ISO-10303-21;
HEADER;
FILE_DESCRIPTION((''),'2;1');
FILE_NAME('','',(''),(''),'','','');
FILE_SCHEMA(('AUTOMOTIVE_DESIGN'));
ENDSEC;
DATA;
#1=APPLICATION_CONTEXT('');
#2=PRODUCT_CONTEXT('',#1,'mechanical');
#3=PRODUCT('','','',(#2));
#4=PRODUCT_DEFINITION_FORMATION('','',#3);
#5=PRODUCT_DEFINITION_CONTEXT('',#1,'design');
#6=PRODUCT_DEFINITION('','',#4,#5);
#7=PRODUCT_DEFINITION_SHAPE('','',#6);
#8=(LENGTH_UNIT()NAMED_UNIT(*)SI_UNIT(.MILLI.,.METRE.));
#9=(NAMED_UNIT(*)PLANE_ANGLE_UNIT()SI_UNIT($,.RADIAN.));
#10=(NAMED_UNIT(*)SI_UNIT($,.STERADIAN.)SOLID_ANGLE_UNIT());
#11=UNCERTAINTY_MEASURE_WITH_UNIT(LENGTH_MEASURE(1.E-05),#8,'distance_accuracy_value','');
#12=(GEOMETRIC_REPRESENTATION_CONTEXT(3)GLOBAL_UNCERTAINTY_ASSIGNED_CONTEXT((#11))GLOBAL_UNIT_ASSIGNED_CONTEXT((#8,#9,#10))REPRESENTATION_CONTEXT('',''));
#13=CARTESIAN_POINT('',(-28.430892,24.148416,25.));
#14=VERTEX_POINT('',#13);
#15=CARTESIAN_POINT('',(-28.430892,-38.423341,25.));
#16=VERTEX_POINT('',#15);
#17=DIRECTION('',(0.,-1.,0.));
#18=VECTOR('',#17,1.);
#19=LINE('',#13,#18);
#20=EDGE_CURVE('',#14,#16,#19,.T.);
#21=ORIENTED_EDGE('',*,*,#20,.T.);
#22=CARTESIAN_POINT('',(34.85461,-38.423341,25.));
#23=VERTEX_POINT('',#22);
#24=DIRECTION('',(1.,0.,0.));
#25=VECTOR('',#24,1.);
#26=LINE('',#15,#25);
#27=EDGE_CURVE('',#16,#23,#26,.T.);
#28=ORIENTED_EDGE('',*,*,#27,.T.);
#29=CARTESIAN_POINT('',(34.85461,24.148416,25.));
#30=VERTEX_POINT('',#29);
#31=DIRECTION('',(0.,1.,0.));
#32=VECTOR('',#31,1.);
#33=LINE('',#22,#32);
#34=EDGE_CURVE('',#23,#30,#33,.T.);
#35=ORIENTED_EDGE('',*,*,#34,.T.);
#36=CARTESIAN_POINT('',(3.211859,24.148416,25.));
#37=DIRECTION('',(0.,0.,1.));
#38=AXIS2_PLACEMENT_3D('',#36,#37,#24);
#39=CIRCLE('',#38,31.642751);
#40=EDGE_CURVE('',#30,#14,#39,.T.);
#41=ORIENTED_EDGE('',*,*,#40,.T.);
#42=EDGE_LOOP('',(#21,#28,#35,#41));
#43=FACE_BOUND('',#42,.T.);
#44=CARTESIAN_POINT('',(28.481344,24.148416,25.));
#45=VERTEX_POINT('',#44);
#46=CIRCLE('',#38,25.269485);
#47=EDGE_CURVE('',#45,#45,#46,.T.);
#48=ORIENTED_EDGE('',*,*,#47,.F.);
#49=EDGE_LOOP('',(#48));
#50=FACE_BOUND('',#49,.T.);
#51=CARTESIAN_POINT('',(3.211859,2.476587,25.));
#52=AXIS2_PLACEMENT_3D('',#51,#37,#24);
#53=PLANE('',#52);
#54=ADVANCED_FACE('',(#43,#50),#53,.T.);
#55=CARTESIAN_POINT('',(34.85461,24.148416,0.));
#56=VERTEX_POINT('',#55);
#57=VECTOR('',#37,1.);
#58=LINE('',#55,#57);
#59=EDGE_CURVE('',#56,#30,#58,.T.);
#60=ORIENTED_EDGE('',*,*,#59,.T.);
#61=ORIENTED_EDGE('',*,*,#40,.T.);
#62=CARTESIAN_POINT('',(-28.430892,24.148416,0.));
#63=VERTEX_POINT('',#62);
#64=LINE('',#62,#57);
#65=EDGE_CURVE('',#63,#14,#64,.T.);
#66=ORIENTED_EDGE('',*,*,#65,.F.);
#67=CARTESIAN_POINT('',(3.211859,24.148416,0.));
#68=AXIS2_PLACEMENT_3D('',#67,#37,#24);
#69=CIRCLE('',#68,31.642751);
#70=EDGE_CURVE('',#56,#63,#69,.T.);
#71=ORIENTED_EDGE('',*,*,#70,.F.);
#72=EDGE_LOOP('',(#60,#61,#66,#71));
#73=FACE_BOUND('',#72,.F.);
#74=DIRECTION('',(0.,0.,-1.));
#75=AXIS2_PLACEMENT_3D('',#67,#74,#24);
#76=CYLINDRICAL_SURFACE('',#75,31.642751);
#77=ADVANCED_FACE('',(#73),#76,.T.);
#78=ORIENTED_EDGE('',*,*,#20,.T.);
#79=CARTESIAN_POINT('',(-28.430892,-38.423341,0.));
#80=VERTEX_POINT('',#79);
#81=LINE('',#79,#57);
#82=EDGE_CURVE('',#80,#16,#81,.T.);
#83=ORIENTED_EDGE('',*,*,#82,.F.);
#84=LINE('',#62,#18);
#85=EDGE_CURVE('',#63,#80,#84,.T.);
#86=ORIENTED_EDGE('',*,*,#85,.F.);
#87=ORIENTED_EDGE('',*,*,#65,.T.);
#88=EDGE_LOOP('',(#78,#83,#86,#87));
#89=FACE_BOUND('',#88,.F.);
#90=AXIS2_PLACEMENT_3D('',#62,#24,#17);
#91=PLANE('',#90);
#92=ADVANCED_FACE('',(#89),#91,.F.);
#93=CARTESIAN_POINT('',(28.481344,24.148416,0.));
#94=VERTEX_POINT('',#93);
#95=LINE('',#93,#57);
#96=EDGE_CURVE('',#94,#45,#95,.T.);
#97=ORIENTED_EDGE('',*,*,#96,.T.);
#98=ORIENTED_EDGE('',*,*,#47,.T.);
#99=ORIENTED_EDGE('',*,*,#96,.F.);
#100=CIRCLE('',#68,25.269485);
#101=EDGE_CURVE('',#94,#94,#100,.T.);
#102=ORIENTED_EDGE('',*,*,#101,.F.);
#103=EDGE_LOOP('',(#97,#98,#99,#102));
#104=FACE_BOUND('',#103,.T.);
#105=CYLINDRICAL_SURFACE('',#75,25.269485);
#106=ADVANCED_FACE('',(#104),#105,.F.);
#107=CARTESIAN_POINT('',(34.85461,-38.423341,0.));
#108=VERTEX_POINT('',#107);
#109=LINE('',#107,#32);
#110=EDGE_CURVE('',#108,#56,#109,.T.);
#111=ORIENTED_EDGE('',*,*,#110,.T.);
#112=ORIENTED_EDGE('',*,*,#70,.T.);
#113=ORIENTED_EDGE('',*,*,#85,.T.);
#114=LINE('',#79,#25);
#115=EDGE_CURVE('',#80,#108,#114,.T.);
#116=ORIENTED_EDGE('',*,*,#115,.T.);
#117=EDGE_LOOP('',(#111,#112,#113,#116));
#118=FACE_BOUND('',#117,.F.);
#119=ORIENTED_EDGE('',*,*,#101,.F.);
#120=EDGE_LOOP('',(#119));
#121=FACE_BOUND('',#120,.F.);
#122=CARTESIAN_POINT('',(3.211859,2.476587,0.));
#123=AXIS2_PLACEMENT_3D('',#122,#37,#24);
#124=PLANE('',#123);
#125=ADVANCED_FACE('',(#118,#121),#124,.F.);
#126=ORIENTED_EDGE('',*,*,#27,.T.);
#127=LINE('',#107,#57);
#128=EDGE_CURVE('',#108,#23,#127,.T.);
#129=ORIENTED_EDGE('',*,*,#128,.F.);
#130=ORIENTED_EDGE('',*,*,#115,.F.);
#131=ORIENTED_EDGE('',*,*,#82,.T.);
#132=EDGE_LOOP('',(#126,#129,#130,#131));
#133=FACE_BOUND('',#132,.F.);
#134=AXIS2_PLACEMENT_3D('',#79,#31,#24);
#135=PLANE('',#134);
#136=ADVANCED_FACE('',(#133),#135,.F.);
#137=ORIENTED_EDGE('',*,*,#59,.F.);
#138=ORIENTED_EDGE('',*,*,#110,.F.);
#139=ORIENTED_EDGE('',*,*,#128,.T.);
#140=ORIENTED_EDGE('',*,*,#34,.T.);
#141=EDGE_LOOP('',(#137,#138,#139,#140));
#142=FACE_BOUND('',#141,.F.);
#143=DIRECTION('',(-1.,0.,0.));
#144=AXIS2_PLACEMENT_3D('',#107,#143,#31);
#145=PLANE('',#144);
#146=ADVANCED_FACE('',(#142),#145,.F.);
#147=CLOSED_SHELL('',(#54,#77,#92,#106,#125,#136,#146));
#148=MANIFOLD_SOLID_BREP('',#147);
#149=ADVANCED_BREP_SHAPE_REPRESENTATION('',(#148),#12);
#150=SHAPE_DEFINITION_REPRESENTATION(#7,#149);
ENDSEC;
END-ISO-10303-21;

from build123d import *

# Parameters (mm, degrees)
F0_R     = 25.269485
F1_DEPTH = 25


with BuildPart() as f1:
    # F0 (on Top) → F1 (new body)
    with BuildSketch(Plane.XY):
        with BuildLine():
            Line((-28.430892, 24.148416), (-28.430892, -38.423341))
            Line((-28.430892, -38.423341), (34.85461, -38.423341))
            Line((34.85461, -38.423341), (34.85461, 24.148416))
            ThreePointArc((34.85461, 24.148416), (3.211859, 55.791167), (-28.430892, 24.148416))
        make_face()
        with Locations((3.211859, 24.148416)):
            Circle(F0_R, mode=Mode.SUBTRACT)
    extrude(amount=F1_DEPTH)


solid = f1.part
